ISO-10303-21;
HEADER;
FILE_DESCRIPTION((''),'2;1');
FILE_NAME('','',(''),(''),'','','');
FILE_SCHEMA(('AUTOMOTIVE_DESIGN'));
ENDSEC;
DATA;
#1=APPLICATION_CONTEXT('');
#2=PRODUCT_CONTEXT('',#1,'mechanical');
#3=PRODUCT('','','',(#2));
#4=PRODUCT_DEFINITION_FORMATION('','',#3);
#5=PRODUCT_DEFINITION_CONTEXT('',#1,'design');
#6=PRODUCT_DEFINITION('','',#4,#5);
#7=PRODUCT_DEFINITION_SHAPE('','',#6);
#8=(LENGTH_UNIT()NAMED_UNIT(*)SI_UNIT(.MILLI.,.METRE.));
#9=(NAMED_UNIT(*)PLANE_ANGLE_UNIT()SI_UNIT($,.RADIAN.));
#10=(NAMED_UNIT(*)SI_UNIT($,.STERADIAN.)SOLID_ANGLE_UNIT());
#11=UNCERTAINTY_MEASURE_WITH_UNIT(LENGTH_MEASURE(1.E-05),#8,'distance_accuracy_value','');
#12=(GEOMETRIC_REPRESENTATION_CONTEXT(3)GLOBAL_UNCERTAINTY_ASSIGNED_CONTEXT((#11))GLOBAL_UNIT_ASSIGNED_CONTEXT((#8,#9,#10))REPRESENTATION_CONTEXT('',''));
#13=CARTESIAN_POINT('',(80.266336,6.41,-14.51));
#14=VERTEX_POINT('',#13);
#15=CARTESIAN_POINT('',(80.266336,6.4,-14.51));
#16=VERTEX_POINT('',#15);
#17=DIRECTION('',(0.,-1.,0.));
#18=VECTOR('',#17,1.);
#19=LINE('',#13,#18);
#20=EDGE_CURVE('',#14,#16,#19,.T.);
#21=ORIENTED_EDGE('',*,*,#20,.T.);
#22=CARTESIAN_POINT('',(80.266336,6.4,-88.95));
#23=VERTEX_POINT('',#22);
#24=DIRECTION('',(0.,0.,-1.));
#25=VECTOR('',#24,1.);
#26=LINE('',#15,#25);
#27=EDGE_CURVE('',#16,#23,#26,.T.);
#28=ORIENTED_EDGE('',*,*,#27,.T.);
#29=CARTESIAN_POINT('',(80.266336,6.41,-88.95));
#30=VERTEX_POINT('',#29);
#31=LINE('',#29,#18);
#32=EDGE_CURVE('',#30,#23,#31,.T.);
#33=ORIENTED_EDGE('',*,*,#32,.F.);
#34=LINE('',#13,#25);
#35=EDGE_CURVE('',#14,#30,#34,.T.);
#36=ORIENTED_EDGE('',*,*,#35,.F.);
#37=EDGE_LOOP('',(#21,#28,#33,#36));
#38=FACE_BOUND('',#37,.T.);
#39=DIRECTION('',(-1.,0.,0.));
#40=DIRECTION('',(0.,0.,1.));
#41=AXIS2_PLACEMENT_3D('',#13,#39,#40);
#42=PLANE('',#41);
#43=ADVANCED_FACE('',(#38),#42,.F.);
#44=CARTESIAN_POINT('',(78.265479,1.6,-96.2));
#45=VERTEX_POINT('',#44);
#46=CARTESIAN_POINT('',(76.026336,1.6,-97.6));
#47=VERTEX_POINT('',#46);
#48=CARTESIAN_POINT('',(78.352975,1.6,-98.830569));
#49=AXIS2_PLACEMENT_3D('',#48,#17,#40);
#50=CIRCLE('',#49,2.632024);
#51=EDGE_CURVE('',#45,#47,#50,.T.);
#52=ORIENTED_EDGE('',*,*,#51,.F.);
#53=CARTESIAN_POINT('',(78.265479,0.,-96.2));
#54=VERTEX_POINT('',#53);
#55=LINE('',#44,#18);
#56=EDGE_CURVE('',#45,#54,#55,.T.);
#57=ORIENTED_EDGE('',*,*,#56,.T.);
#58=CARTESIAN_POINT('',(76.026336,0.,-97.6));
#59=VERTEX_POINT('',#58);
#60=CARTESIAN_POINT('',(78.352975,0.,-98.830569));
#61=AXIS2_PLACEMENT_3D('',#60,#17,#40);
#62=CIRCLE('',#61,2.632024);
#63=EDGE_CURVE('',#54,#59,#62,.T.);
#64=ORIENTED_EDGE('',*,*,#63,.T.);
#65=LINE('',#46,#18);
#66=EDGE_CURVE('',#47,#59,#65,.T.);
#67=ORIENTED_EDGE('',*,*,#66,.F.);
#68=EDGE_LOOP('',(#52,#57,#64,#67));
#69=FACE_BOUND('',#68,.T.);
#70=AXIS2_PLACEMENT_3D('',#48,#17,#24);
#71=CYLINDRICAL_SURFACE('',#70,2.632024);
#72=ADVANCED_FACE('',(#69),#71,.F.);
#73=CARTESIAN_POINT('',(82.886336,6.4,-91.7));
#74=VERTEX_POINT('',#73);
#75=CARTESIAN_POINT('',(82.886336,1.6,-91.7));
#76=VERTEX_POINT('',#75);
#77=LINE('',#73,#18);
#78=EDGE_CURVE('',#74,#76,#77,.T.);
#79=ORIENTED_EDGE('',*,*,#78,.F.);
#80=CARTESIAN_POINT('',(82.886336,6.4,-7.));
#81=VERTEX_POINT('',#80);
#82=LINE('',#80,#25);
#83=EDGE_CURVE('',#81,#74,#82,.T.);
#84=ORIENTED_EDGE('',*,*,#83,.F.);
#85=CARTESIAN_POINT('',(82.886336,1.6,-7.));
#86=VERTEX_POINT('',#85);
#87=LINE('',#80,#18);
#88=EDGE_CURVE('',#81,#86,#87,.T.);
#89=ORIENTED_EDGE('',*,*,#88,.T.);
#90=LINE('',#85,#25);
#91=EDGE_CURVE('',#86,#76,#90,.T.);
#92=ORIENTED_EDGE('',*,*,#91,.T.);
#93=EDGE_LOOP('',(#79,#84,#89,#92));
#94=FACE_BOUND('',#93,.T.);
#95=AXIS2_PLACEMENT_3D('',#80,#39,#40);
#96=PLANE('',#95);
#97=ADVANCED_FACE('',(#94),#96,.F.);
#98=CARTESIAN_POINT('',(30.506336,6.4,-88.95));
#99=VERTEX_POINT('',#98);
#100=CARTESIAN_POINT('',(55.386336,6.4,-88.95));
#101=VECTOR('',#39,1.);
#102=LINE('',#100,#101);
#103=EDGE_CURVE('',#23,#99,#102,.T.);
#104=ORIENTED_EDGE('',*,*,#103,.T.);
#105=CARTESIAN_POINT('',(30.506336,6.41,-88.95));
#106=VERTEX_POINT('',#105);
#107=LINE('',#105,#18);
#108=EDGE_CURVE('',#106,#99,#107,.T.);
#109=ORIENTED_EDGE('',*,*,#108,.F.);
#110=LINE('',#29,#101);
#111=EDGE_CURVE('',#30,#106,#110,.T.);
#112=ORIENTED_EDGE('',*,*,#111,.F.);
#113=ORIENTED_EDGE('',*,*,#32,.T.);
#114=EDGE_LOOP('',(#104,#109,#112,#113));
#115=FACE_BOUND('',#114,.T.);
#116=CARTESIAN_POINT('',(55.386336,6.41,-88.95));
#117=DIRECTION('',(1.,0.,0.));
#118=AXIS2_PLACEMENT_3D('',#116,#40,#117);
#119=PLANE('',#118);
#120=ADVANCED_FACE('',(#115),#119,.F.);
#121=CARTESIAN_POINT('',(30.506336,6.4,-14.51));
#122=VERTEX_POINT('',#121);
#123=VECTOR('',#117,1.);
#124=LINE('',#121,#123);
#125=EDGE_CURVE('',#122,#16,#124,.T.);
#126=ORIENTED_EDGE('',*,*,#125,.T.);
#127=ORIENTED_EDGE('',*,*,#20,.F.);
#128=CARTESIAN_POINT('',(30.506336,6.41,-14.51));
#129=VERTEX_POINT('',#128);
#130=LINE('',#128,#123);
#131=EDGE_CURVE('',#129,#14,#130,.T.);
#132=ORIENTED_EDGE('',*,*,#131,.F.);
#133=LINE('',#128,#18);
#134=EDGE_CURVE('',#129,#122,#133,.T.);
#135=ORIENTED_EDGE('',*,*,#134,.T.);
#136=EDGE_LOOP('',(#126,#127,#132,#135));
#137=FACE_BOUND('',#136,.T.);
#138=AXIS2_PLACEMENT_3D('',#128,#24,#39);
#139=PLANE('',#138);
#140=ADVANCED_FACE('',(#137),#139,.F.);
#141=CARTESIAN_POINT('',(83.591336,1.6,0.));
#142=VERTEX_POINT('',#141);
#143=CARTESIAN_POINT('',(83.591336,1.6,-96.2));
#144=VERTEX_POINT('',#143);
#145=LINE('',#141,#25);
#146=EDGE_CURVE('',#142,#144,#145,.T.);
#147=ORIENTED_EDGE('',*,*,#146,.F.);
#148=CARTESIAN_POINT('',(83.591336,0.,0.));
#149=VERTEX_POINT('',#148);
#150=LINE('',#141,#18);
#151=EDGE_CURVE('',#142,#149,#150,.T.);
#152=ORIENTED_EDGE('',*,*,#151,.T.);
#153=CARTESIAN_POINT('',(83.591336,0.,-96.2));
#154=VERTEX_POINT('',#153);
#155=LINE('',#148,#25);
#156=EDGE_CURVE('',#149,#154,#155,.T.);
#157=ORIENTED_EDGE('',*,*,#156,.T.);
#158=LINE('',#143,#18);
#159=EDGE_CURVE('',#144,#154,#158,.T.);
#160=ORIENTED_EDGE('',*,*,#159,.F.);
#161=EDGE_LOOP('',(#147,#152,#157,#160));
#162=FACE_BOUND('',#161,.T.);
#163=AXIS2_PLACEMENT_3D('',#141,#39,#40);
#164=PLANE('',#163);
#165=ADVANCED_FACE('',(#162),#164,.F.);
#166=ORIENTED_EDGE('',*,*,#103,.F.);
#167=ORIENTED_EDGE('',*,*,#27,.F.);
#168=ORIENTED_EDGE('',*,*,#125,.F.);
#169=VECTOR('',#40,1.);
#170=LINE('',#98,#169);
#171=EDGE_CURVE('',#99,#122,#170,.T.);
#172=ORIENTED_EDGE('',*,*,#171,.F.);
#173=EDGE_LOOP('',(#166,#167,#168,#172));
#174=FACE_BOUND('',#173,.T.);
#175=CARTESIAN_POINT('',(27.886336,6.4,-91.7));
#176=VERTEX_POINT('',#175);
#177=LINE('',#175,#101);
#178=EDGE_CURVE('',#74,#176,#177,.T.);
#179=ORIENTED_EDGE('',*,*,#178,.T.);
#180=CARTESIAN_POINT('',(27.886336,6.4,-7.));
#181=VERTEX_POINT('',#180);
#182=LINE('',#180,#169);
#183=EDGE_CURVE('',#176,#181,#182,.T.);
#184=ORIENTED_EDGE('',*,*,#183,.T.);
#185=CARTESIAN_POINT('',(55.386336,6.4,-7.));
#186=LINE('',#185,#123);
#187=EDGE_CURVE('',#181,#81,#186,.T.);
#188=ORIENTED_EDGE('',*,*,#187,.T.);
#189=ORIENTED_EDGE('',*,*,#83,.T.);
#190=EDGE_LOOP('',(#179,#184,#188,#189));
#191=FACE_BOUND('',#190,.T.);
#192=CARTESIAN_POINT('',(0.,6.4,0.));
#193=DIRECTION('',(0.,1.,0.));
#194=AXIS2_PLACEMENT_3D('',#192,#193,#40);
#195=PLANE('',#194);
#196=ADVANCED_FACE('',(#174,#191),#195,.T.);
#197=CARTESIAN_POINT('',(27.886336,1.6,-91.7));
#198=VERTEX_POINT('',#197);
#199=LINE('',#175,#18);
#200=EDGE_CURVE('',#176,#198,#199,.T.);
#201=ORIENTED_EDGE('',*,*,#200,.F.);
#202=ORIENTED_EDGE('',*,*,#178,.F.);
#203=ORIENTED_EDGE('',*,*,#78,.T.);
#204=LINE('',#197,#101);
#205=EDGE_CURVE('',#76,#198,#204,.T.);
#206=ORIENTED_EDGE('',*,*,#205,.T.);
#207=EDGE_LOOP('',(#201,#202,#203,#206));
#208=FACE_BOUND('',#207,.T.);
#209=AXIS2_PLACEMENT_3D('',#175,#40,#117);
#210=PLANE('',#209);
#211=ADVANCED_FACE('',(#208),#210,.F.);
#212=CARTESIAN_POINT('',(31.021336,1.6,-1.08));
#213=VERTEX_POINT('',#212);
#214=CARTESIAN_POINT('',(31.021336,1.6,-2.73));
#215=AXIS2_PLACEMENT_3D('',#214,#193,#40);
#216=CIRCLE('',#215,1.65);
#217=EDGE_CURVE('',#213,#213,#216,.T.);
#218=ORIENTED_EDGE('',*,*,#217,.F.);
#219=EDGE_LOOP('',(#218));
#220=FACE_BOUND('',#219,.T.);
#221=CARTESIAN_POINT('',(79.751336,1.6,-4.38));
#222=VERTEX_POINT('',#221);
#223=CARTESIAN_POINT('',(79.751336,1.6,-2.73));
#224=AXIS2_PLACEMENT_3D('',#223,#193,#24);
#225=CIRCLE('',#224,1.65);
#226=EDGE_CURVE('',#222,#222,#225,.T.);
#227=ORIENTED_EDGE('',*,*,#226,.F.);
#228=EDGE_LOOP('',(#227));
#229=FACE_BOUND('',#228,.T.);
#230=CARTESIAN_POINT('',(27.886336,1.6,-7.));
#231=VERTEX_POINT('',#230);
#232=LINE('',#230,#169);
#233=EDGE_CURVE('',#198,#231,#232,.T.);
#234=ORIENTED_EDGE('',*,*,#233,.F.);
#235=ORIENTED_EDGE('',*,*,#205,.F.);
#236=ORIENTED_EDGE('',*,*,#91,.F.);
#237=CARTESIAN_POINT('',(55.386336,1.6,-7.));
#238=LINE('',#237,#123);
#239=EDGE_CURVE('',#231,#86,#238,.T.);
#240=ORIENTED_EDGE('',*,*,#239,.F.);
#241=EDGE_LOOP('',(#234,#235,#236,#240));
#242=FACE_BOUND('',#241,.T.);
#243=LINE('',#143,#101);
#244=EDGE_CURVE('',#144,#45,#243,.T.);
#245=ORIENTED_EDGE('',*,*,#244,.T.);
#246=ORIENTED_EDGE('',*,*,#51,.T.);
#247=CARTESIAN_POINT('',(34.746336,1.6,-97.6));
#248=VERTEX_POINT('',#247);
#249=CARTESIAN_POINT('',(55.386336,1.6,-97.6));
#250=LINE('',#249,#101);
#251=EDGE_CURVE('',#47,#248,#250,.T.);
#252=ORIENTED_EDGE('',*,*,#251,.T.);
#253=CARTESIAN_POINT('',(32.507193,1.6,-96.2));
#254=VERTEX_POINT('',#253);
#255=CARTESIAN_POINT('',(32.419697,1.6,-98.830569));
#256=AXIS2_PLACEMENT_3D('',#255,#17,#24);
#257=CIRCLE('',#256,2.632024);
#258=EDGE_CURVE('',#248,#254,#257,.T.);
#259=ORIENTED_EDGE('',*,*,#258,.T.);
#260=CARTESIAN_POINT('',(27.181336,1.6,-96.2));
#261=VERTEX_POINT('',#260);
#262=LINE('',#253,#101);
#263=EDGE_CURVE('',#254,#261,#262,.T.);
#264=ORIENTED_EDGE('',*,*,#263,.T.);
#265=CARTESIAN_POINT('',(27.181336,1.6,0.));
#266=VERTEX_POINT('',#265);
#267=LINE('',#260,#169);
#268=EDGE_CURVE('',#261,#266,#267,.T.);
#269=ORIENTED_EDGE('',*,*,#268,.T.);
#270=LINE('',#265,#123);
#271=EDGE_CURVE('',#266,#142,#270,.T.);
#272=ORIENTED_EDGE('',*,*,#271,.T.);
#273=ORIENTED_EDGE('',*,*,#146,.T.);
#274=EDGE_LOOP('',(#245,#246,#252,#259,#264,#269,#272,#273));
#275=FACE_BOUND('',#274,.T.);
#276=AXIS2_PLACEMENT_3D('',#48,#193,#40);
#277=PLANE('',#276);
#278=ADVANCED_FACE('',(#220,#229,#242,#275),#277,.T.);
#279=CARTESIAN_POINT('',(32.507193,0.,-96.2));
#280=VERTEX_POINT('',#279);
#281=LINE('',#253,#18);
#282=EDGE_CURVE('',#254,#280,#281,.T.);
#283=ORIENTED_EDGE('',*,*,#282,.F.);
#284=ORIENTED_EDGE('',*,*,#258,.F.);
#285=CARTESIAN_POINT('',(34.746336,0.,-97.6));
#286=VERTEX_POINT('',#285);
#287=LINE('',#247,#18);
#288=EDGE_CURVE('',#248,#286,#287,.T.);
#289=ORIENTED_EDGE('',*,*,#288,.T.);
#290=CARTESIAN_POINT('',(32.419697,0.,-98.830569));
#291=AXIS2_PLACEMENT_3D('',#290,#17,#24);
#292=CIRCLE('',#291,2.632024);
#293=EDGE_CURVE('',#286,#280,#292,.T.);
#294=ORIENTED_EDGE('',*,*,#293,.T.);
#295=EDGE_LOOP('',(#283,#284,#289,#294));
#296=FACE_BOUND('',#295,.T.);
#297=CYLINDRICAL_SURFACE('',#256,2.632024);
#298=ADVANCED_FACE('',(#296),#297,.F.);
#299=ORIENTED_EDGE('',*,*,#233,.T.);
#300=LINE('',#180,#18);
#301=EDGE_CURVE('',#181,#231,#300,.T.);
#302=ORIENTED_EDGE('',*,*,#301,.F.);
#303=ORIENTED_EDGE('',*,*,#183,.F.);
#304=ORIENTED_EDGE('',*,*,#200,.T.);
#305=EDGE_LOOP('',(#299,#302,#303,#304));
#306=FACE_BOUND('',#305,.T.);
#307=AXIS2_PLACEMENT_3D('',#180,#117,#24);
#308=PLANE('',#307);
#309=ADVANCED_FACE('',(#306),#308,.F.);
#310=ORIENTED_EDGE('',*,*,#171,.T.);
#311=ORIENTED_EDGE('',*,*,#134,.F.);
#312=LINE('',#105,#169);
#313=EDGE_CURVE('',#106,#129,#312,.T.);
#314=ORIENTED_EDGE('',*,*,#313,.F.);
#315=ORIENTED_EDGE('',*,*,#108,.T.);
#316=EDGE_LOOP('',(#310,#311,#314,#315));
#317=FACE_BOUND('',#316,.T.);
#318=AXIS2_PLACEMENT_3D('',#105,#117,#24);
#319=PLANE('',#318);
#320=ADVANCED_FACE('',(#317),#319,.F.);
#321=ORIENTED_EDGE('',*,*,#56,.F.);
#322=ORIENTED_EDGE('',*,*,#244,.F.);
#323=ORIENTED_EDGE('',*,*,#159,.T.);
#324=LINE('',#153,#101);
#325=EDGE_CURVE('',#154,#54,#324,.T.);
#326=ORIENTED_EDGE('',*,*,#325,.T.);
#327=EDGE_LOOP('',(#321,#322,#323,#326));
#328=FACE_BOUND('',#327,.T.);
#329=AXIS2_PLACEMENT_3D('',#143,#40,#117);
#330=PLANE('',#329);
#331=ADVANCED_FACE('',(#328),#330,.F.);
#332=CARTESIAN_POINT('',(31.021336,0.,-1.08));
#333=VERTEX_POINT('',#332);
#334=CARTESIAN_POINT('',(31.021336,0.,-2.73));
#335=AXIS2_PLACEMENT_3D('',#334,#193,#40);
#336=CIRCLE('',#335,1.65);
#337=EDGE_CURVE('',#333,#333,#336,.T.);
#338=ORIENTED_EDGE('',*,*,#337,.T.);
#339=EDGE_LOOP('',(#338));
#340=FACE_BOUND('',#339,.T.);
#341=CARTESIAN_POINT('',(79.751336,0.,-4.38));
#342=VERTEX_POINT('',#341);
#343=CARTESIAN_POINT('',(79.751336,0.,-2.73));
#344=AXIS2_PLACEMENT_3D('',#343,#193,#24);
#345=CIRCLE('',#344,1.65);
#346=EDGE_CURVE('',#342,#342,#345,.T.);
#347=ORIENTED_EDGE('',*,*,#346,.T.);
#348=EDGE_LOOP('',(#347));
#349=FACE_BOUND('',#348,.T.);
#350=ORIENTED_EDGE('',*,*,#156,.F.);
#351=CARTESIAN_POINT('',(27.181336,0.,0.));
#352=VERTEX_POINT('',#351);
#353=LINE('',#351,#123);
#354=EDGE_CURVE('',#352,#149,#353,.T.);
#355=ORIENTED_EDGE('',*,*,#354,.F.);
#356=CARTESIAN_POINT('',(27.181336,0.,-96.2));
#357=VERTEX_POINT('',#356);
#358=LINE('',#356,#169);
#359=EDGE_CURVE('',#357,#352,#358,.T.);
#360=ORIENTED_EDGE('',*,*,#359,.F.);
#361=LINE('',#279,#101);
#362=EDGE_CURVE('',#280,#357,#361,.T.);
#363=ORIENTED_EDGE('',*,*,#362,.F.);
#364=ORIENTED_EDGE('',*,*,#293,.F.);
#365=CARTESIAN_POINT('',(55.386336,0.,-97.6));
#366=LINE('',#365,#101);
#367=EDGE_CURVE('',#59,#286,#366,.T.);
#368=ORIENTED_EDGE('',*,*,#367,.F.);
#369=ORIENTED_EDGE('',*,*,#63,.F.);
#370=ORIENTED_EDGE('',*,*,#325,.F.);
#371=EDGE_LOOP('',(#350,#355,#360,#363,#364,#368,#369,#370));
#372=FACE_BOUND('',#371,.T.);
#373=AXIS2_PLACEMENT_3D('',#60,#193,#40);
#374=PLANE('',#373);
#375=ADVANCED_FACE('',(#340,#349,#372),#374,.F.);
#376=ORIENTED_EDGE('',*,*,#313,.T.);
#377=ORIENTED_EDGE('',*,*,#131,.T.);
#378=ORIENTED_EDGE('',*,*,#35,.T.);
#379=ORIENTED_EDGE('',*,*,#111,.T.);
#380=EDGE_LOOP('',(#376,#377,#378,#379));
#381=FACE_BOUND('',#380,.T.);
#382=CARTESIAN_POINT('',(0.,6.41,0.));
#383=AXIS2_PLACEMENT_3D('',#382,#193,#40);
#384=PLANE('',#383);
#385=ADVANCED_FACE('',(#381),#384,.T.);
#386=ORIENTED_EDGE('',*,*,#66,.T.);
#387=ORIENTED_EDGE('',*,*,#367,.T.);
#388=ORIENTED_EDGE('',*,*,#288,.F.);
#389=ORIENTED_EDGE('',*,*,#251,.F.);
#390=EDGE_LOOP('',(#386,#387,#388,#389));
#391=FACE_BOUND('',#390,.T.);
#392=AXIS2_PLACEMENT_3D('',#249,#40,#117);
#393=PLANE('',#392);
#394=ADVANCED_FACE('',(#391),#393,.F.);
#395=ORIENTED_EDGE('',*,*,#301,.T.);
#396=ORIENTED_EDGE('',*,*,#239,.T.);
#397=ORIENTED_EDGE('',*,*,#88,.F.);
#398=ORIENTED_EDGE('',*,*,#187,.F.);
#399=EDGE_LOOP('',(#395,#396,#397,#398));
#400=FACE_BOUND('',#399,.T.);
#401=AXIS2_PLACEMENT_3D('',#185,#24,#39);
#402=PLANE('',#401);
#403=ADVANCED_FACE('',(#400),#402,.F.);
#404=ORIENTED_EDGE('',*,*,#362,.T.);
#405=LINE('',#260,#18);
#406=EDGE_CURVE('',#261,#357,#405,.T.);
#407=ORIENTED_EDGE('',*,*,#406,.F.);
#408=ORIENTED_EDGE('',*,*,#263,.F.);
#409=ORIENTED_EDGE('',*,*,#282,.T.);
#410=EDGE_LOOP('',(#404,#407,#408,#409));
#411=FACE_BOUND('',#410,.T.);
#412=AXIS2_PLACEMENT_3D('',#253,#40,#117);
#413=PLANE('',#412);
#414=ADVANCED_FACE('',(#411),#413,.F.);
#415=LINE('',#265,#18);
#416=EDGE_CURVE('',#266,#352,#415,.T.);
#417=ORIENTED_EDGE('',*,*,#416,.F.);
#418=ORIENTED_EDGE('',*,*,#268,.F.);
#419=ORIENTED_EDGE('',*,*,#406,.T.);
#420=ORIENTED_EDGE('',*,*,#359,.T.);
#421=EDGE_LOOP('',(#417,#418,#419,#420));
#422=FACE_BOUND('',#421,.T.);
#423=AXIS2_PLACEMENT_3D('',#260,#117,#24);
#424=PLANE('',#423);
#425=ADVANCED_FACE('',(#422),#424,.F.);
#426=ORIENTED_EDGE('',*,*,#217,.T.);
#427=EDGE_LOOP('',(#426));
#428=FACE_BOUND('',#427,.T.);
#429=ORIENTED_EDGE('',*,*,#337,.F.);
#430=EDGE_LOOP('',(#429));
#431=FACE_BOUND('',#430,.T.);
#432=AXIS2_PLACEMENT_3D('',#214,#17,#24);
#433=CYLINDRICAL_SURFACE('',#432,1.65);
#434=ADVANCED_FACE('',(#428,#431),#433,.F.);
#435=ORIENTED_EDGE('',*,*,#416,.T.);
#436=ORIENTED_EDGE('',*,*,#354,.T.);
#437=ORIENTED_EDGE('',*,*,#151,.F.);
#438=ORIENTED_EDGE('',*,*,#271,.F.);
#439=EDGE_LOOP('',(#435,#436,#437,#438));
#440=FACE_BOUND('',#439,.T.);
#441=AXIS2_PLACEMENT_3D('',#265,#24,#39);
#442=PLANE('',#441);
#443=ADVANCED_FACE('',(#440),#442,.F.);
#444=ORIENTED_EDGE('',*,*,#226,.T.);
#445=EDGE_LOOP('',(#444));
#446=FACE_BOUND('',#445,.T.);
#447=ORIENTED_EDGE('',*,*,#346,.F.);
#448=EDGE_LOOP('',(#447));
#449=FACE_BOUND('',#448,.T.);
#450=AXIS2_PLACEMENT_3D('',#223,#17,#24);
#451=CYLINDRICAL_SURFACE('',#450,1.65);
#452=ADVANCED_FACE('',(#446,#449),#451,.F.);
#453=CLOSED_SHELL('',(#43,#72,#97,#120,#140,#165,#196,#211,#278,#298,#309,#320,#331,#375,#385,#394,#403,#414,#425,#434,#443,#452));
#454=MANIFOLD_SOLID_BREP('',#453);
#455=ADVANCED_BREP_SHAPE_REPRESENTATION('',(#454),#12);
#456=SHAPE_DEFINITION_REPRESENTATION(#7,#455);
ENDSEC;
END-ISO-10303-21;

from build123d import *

# Parameters (mm, degrees)
SKETCH_1_R      = 1.65
EXTRUDE_1_DEPTH = 1.6
EXTRUDE_2_DEPTH = 4.8
EXTRUDE_3_DEPTH = 0.01


with BuildPart() as part:
    # 草图1 → 凸台-拉伸1 (new body)
    with BuildSketch(Plane(origin=(0, 0, 0), x_dir=(1, 0, 0), z_dir=(0, 1, 0))):
        with BuildLine():
            Line((27.181335969, 0), (83.591335969, 0))
            Line((83.591335969, 0), (83.591335969, 96.2))
            Line((83.591335969, 96.2), (78.265479271, 96.2))
            ThreePointArc((78.265479271, 96.2), (76.9576214, 96.598857266), (76.026335969, 97.6))
            Line((76.026335969, 97.6), (55.386335969, 97.6))
            Line((55.386335969, 97.6), (34.746335969, 97.6))
            ThreePointArc((34.746335969, 97.6), (33.815050539, 96.598857266), (32.507192668, 96.2))
            Line((32.507192668, 96.2), (27.181335969, 96.2))
            Line((27.181335969, 96.2), (27.181335969, 0))
        make_face()
        with Locations(Location((31.021335969, 2.73, 0), (0, 0, 270))):
            Circle(SKETCH_1_R, mode=Mode.SUBTRACT)
        with Locations(Location((79.751335969, 2.73, 0), (0, 0, 90))):
            Circle(SKETCH_1_R, mode=Mode.SUBTRACT)
    extrude(amount=EXTRUDE_1_DEPTH)

    # 草图3 → 凸台-拉伸2 (add)
    with BuildSketch(Plane(origin=(0, 1.6, 0), x_dir=(1, 0, 0), z_dir=(0, 1, 0))):
        Polygon((55.386335969, 7), (27.886335969, 7), (27.886335969, 91.7), (82.886335969, 91.7), (82.886335969, 7), align=None)
    extrude(amount=EXTRUDE_2_DEPTH)

    # 草图4 → 凸台-拉伸3 (add)
    with BuildSketch(Plane(origin=(0, 6.4, 0), x_dir=(1, 0, 0), z_dir=(0, 1, 0))):
        Polygon((55.386335969, 88.95), (30.506335969, 88.95), (30.506335969, 14.51), (80.266335969, 14.51), (80.266335969, 88.95), align=None)
    extrude(amount=EXTRUDE_3_DEPTH)


solid = part.part
